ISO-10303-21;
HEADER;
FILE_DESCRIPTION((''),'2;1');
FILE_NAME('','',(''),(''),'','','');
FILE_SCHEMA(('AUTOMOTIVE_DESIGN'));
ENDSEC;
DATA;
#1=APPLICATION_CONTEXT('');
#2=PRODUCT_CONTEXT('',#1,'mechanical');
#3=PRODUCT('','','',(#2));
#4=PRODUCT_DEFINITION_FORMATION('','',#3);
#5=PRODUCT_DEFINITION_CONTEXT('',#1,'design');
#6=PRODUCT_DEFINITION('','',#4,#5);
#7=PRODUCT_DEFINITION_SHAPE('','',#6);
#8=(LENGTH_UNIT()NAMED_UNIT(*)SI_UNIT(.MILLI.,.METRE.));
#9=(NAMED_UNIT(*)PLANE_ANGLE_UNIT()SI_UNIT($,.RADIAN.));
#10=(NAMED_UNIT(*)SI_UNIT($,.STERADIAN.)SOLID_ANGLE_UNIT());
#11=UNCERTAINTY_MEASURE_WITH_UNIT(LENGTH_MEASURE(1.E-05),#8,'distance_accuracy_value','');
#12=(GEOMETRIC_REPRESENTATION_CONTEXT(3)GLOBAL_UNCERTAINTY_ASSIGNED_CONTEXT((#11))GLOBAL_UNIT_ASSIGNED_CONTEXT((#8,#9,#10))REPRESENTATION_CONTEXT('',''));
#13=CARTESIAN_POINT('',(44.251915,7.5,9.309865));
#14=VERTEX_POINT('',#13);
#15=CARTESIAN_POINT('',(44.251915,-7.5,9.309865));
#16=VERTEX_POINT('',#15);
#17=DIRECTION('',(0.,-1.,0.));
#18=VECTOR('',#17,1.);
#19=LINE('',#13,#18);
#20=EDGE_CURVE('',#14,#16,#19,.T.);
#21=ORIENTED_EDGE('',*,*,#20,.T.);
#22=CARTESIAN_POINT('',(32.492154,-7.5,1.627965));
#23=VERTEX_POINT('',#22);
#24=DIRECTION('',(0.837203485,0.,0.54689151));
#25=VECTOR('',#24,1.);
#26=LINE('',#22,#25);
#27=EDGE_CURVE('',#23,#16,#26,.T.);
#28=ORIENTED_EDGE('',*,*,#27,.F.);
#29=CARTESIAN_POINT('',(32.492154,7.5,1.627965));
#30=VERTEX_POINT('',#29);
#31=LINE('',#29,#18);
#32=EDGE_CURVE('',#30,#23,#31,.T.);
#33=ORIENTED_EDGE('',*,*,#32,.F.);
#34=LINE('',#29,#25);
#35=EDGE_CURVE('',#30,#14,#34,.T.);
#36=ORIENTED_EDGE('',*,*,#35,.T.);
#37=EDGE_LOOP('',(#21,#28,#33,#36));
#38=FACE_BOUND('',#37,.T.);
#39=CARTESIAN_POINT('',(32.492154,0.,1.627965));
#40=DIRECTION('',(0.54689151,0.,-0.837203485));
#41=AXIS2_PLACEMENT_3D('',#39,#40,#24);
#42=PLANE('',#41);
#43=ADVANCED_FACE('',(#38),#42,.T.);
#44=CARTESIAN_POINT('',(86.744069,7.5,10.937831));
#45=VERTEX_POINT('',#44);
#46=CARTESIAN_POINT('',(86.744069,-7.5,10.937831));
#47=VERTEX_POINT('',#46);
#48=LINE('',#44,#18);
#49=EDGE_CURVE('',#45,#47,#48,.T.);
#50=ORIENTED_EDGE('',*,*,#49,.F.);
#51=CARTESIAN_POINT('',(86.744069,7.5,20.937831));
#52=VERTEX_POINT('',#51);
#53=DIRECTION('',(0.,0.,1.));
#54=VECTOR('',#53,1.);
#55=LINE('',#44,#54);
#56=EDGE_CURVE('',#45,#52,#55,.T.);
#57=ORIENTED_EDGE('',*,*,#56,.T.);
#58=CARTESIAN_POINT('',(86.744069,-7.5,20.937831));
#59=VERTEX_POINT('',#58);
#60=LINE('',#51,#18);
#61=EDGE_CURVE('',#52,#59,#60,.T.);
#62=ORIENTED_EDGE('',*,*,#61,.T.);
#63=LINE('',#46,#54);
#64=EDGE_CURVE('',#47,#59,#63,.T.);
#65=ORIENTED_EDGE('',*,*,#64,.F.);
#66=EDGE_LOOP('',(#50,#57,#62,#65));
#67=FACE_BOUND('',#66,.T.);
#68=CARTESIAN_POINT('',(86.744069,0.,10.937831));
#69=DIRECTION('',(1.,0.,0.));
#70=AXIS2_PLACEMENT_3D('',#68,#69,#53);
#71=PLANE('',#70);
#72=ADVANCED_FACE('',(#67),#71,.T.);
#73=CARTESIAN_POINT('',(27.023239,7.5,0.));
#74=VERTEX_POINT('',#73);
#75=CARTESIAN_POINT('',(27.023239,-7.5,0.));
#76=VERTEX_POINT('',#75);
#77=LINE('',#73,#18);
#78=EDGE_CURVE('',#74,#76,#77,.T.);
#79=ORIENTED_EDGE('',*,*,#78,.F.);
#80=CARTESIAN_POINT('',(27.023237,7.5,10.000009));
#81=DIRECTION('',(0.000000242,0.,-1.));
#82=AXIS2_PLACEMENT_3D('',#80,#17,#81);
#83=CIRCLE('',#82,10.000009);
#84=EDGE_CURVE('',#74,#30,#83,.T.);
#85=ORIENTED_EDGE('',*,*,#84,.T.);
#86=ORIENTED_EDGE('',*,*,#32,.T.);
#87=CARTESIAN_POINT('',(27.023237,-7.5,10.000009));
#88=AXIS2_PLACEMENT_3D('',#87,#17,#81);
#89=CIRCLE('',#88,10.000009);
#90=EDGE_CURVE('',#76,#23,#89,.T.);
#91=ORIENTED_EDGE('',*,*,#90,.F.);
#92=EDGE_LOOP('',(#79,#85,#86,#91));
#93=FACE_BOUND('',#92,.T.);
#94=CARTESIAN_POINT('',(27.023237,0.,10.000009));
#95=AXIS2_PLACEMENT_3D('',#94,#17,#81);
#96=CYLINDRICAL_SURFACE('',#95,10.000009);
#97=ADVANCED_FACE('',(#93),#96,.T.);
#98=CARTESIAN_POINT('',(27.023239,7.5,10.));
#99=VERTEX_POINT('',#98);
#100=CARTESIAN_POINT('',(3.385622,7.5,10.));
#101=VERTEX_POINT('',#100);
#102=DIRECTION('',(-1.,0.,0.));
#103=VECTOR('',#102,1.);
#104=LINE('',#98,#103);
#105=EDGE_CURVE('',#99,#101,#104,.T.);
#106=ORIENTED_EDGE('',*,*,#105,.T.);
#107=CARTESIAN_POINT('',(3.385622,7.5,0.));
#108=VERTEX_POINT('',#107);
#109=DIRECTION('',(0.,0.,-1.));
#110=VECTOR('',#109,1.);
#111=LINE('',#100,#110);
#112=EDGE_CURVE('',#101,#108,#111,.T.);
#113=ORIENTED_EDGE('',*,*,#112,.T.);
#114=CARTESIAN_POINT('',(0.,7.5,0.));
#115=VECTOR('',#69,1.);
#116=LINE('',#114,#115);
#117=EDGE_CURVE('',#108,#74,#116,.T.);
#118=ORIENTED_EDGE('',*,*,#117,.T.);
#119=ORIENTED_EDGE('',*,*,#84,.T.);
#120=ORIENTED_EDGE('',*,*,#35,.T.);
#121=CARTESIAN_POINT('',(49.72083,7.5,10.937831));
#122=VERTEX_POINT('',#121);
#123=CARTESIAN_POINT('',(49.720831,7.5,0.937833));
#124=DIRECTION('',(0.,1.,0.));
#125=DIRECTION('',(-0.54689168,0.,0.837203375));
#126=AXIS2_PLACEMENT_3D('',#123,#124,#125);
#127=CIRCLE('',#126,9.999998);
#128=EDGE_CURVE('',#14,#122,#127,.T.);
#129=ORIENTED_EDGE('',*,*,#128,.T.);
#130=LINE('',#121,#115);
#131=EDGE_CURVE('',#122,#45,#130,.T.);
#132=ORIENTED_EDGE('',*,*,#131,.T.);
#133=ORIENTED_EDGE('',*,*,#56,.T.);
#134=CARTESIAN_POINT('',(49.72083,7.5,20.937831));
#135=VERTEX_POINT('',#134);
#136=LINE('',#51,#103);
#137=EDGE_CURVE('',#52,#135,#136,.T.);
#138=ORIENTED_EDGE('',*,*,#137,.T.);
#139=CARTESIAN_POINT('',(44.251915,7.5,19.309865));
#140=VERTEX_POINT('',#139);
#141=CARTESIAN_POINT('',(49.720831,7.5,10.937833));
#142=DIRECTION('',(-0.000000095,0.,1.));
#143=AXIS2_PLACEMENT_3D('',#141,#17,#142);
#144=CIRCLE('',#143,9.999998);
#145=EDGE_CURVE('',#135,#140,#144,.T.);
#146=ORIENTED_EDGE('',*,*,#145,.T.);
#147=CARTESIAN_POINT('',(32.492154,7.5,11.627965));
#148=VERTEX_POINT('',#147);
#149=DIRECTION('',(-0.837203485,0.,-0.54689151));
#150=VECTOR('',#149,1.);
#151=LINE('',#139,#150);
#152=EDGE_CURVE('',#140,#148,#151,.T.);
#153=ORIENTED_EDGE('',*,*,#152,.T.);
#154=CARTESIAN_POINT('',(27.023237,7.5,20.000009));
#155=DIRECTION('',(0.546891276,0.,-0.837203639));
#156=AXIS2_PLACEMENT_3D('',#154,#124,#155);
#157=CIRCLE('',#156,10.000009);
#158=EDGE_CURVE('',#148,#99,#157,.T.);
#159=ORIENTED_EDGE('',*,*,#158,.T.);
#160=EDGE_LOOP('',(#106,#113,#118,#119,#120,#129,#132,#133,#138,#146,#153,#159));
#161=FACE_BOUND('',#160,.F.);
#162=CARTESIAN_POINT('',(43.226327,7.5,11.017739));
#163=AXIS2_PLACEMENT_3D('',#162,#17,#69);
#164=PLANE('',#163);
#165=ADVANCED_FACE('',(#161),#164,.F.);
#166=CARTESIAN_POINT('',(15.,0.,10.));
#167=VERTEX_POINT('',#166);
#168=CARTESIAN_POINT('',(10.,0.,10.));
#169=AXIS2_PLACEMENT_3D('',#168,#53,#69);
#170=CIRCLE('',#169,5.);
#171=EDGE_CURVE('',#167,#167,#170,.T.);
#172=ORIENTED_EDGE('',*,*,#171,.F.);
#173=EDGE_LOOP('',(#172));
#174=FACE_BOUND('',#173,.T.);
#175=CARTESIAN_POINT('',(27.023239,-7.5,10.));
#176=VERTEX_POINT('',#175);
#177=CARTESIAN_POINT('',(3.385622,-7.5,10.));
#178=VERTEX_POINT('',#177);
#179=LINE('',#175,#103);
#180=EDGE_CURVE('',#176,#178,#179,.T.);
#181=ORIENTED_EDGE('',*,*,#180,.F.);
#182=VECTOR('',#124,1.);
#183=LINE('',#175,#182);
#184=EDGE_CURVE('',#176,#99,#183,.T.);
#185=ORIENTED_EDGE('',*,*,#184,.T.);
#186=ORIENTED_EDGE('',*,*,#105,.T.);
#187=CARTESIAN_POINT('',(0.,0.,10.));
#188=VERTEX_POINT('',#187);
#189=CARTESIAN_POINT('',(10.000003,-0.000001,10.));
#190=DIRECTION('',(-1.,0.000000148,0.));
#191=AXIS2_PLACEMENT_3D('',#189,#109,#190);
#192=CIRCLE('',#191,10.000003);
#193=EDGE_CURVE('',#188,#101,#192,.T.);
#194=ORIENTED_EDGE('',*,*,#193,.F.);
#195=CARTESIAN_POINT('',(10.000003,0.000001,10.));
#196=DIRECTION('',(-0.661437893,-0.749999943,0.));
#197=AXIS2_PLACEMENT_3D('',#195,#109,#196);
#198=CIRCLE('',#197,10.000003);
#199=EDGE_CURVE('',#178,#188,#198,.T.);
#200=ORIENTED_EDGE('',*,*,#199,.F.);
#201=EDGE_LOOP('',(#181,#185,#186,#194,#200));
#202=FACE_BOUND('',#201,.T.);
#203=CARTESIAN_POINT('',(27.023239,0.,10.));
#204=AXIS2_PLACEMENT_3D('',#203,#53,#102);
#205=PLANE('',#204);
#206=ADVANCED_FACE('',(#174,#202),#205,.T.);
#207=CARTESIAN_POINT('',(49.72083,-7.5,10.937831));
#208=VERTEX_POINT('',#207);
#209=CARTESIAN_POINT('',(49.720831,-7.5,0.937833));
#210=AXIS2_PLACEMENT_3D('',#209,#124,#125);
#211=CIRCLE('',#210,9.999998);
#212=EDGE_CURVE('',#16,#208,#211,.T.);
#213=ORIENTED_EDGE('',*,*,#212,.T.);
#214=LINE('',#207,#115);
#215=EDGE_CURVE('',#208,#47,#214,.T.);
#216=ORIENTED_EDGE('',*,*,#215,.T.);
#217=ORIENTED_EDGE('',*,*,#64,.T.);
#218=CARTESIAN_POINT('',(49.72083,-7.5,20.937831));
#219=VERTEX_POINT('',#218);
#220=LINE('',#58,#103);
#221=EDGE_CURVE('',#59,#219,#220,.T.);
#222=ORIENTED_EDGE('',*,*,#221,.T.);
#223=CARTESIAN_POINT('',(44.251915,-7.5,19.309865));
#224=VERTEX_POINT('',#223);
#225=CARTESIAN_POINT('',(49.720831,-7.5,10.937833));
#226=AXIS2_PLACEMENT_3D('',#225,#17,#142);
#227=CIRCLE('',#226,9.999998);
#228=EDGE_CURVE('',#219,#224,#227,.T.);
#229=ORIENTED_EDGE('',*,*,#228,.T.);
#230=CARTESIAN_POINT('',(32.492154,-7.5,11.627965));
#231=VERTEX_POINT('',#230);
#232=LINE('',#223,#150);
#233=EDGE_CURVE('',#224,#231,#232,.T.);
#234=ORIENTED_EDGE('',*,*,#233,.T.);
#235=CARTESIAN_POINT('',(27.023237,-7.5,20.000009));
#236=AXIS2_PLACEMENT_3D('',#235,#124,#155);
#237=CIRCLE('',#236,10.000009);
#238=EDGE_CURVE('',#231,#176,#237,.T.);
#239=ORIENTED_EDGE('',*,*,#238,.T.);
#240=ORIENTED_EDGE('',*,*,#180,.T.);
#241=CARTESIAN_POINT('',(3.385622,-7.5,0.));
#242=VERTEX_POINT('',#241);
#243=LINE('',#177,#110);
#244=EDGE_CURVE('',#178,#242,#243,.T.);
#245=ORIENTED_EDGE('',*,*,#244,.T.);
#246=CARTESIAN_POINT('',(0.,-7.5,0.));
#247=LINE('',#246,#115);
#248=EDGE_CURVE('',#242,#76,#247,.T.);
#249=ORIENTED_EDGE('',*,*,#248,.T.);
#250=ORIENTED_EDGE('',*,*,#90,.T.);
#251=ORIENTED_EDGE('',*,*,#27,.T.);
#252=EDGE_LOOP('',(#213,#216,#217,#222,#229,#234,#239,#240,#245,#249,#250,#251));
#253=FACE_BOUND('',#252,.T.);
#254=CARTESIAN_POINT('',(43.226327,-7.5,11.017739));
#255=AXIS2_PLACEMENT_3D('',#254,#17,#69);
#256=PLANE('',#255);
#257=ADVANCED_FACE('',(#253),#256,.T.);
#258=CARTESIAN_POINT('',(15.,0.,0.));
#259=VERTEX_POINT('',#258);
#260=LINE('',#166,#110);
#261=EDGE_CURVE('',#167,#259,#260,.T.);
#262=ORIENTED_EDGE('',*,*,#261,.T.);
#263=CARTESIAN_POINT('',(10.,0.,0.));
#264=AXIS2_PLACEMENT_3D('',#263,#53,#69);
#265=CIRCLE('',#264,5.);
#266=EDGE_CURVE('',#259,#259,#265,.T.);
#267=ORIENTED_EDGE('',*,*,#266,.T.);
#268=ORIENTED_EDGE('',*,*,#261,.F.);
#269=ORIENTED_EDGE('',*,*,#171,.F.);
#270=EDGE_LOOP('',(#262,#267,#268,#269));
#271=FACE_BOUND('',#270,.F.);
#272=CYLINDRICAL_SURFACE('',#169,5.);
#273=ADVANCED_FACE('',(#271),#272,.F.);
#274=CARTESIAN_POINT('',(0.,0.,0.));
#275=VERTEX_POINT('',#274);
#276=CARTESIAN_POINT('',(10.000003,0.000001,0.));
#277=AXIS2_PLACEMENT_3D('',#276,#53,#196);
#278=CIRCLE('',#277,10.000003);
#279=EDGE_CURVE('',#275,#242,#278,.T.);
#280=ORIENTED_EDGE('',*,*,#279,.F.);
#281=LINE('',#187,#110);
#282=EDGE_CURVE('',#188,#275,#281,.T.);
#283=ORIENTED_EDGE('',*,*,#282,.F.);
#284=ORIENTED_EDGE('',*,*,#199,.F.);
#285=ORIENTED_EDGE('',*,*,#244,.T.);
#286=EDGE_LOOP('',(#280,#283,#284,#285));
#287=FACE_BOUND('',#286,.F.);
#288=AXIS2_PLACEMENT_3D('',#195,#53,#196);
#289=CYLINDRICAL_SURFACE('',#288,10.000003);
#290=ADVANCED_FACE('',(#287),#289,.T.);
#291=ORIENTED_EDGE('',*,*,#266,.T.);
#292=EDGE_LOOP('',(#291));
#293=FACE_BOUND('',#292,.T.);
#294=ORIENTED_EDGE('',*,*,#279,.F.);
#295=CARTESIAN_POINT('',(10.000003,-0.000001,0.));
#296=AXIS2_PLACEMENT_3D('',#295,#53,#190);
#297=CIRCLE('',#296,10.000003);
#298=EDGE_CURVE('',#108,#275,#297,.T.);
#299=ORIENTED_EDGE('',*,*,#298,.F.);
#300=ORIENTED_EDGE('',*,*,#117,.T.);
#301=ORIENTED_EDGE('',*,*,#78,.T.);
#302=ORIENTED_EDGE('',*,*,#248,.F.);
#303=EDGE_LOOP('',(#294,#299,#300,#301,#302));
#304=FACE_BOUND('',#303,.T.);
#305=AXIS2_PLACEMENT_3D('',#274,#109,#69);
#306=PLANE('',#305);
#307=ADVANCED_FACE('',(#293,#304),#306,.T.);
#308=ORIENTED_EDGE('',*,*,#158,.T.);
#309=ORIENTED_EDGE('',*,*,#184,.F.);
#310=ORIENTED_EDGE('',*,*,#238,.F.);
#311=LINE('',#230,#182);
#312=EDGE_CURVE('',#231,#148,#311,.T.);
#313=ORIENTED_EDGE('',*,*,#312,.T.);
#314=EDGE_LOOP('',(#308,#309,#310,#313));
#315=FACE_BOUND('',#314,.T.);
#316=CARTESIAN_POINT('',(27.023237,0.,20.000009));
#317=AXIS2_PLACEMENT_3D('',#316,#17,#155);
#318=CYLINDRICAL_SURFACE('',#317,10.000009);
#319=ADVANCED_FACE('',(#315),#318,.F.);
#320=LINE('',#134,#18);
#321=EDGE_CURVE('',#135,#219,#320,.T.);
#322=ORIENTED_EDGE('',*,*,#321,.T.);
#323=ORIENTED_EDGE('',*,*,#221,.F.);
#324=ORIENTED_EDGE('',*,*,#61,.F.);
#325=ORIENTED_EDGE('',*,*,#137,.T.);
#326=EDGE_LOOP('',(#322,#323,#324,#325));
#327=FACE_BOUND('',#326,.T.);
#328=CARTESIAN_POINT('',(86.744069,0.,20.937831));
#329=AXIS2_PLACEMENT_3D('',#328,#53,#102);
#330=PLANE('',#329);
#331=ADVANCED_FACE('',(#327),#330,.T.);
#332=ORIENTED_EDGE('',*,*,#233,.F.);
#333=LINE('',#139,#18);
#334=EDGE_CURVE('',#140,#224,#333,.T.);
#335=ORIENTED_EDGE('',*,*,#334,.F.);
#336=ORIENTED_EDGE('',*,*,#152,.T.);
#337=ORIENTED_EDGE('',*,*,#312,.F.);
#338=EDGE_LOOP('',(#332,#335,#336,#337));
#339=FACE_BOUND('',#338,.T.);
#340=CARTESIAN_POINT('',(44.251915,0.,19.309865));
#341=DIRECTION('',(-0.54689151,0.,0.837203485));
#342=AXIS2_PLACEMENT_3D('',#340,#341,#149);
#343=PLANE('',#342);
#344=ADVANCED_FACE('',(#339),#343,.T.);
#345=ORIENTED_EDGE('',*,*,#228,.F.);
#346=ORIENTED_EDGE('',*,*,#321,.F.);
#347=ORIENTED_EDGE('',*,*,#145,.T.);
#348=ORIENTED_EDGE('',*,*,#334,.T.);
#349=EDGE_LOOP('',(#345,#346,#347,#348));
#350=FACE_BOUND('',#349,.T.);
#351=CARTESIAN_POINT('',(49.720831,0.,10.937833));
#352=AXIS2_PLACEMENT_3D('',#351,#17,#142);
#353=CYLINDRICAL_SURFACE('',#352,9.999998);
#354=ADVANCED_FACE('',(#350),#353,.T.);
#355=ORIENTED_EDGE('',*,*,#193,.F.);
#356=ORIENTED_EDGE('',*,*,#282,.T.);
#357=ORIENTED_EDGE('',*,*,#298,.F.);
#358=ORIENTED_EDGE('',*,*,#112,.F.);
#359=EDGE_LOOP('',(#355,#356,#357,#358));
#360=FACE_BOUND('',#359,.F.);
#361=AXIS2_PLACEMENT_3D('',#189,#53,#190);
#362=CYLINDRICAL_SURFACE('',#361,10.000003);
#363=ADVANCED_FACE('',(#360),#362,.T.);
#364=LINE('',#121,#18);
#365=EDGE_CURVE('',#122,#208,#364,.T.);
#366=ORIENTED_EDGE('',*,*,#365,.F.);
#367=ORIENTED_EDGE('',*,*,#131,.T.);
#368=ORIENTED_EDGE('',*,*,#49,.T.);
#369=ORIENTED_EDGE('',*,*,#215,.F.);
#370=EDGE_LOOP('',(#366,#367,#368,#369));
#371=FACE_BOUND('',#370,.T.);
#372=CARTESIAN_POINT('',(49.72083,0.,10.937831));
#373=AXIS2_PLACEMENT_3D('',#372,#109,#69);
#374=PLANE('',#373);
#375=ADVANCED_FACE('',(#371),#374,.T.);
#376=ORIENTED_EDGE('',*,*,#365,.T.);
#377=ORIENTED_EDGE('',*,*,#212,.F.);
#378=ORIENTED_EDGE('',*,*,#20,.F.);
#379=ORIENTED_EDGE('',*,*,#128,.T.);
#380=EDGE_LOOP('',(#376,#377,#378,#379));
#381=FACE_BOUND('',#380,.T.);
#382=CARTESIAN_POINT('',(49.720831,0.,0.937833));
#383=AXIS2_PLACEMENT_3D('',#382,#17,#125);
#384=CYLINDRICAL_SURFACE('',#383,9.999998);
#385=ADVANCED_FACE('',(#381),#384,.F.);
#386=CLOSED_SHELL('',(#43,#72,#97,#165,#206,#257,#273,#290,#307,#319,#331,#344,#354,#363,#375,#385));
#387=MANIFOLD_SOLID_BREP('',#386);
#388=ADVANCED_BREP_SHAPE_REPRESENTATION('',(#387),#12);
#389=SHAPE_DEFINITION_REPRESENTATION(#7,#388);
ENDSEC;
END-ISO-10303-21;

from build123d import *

# Parameters (mm, degrees)
F1_DEPTH = 7.5
F2_R     = 5
F3_DEPTH = 10.001
F5_DEPTH = 10.001


with BuildPart() as f1:
    # F0 (on Front) → F1 (new body, symmetric)
    with BuildSketch(Plane.XZ):
        with BuildLine():
            Line((0, 10), (0, 0))
            Line((0, 0), (27.023239, 0))
            ThreePointArc((27.023239, 0), (29.876277, 0.415629), (32.492154, 1.627965))
            Line((32.492154, 1.627965), (44.251915, 9.309865))
            ThreePointArc((44.251915, 9.309865), (46.867792, 10.522202), (49.72083, 10.937831))
            Line((49.72083, 10.937831), (86.744069, 10.937831))
            Line((86.744069, 10.937831), (86.744069, 20.937831))
            Line((86.744069, 20.937831), (49.72083, 20.937831))
            ThreePointArc((49.72083, 20.937831), (46.867792, 20.522202), (44.251915, 19.309865))
            Line((44.251915, 19.309865), (32.492154, 11.627965))
            ThreePointArc((32.492154, 11.627965), (29.876277, 10.415629), (27.023239, 10))
            Line((27.023239, 10), (0, 10))
        make_face()
    extrude(amount=F1_DEPTH, both=True)

    # F2 (on face) → F3 (cut, through all)
    with BuildSketch(Plane.XY.offset(10)):
        with Locations((10, 0)):
            Circle(F2_R)
    extrude(amount=-F3_DEPTH, mode=Mode.SUBTRACT)

    # F4 (on face) → F5 (cut, through all)
    with BuildSketch(Plane.XY.offset(10)):
        with BuildLine():
            ThreePointArc((3.385622, -7.5), (0.885622, -4.114378), (0, 0))
            Line((0, 0), (0, -7.5))
            Line((0, -7.5), (3.385622, -7.5))
        make_face()
        with BuildLine():
            ThreePointArc((0, 0), (0.885622, 4.114378), (3.385622, 7.5))
            Line((3.385622, 7.5), (0, 7.5))
            Line((0, 7.5), (0, 0))
        make_face()
    extrude(amount=-F5_DEPTH, mode=Mode.SUBTRACT)


solid = f1.part
